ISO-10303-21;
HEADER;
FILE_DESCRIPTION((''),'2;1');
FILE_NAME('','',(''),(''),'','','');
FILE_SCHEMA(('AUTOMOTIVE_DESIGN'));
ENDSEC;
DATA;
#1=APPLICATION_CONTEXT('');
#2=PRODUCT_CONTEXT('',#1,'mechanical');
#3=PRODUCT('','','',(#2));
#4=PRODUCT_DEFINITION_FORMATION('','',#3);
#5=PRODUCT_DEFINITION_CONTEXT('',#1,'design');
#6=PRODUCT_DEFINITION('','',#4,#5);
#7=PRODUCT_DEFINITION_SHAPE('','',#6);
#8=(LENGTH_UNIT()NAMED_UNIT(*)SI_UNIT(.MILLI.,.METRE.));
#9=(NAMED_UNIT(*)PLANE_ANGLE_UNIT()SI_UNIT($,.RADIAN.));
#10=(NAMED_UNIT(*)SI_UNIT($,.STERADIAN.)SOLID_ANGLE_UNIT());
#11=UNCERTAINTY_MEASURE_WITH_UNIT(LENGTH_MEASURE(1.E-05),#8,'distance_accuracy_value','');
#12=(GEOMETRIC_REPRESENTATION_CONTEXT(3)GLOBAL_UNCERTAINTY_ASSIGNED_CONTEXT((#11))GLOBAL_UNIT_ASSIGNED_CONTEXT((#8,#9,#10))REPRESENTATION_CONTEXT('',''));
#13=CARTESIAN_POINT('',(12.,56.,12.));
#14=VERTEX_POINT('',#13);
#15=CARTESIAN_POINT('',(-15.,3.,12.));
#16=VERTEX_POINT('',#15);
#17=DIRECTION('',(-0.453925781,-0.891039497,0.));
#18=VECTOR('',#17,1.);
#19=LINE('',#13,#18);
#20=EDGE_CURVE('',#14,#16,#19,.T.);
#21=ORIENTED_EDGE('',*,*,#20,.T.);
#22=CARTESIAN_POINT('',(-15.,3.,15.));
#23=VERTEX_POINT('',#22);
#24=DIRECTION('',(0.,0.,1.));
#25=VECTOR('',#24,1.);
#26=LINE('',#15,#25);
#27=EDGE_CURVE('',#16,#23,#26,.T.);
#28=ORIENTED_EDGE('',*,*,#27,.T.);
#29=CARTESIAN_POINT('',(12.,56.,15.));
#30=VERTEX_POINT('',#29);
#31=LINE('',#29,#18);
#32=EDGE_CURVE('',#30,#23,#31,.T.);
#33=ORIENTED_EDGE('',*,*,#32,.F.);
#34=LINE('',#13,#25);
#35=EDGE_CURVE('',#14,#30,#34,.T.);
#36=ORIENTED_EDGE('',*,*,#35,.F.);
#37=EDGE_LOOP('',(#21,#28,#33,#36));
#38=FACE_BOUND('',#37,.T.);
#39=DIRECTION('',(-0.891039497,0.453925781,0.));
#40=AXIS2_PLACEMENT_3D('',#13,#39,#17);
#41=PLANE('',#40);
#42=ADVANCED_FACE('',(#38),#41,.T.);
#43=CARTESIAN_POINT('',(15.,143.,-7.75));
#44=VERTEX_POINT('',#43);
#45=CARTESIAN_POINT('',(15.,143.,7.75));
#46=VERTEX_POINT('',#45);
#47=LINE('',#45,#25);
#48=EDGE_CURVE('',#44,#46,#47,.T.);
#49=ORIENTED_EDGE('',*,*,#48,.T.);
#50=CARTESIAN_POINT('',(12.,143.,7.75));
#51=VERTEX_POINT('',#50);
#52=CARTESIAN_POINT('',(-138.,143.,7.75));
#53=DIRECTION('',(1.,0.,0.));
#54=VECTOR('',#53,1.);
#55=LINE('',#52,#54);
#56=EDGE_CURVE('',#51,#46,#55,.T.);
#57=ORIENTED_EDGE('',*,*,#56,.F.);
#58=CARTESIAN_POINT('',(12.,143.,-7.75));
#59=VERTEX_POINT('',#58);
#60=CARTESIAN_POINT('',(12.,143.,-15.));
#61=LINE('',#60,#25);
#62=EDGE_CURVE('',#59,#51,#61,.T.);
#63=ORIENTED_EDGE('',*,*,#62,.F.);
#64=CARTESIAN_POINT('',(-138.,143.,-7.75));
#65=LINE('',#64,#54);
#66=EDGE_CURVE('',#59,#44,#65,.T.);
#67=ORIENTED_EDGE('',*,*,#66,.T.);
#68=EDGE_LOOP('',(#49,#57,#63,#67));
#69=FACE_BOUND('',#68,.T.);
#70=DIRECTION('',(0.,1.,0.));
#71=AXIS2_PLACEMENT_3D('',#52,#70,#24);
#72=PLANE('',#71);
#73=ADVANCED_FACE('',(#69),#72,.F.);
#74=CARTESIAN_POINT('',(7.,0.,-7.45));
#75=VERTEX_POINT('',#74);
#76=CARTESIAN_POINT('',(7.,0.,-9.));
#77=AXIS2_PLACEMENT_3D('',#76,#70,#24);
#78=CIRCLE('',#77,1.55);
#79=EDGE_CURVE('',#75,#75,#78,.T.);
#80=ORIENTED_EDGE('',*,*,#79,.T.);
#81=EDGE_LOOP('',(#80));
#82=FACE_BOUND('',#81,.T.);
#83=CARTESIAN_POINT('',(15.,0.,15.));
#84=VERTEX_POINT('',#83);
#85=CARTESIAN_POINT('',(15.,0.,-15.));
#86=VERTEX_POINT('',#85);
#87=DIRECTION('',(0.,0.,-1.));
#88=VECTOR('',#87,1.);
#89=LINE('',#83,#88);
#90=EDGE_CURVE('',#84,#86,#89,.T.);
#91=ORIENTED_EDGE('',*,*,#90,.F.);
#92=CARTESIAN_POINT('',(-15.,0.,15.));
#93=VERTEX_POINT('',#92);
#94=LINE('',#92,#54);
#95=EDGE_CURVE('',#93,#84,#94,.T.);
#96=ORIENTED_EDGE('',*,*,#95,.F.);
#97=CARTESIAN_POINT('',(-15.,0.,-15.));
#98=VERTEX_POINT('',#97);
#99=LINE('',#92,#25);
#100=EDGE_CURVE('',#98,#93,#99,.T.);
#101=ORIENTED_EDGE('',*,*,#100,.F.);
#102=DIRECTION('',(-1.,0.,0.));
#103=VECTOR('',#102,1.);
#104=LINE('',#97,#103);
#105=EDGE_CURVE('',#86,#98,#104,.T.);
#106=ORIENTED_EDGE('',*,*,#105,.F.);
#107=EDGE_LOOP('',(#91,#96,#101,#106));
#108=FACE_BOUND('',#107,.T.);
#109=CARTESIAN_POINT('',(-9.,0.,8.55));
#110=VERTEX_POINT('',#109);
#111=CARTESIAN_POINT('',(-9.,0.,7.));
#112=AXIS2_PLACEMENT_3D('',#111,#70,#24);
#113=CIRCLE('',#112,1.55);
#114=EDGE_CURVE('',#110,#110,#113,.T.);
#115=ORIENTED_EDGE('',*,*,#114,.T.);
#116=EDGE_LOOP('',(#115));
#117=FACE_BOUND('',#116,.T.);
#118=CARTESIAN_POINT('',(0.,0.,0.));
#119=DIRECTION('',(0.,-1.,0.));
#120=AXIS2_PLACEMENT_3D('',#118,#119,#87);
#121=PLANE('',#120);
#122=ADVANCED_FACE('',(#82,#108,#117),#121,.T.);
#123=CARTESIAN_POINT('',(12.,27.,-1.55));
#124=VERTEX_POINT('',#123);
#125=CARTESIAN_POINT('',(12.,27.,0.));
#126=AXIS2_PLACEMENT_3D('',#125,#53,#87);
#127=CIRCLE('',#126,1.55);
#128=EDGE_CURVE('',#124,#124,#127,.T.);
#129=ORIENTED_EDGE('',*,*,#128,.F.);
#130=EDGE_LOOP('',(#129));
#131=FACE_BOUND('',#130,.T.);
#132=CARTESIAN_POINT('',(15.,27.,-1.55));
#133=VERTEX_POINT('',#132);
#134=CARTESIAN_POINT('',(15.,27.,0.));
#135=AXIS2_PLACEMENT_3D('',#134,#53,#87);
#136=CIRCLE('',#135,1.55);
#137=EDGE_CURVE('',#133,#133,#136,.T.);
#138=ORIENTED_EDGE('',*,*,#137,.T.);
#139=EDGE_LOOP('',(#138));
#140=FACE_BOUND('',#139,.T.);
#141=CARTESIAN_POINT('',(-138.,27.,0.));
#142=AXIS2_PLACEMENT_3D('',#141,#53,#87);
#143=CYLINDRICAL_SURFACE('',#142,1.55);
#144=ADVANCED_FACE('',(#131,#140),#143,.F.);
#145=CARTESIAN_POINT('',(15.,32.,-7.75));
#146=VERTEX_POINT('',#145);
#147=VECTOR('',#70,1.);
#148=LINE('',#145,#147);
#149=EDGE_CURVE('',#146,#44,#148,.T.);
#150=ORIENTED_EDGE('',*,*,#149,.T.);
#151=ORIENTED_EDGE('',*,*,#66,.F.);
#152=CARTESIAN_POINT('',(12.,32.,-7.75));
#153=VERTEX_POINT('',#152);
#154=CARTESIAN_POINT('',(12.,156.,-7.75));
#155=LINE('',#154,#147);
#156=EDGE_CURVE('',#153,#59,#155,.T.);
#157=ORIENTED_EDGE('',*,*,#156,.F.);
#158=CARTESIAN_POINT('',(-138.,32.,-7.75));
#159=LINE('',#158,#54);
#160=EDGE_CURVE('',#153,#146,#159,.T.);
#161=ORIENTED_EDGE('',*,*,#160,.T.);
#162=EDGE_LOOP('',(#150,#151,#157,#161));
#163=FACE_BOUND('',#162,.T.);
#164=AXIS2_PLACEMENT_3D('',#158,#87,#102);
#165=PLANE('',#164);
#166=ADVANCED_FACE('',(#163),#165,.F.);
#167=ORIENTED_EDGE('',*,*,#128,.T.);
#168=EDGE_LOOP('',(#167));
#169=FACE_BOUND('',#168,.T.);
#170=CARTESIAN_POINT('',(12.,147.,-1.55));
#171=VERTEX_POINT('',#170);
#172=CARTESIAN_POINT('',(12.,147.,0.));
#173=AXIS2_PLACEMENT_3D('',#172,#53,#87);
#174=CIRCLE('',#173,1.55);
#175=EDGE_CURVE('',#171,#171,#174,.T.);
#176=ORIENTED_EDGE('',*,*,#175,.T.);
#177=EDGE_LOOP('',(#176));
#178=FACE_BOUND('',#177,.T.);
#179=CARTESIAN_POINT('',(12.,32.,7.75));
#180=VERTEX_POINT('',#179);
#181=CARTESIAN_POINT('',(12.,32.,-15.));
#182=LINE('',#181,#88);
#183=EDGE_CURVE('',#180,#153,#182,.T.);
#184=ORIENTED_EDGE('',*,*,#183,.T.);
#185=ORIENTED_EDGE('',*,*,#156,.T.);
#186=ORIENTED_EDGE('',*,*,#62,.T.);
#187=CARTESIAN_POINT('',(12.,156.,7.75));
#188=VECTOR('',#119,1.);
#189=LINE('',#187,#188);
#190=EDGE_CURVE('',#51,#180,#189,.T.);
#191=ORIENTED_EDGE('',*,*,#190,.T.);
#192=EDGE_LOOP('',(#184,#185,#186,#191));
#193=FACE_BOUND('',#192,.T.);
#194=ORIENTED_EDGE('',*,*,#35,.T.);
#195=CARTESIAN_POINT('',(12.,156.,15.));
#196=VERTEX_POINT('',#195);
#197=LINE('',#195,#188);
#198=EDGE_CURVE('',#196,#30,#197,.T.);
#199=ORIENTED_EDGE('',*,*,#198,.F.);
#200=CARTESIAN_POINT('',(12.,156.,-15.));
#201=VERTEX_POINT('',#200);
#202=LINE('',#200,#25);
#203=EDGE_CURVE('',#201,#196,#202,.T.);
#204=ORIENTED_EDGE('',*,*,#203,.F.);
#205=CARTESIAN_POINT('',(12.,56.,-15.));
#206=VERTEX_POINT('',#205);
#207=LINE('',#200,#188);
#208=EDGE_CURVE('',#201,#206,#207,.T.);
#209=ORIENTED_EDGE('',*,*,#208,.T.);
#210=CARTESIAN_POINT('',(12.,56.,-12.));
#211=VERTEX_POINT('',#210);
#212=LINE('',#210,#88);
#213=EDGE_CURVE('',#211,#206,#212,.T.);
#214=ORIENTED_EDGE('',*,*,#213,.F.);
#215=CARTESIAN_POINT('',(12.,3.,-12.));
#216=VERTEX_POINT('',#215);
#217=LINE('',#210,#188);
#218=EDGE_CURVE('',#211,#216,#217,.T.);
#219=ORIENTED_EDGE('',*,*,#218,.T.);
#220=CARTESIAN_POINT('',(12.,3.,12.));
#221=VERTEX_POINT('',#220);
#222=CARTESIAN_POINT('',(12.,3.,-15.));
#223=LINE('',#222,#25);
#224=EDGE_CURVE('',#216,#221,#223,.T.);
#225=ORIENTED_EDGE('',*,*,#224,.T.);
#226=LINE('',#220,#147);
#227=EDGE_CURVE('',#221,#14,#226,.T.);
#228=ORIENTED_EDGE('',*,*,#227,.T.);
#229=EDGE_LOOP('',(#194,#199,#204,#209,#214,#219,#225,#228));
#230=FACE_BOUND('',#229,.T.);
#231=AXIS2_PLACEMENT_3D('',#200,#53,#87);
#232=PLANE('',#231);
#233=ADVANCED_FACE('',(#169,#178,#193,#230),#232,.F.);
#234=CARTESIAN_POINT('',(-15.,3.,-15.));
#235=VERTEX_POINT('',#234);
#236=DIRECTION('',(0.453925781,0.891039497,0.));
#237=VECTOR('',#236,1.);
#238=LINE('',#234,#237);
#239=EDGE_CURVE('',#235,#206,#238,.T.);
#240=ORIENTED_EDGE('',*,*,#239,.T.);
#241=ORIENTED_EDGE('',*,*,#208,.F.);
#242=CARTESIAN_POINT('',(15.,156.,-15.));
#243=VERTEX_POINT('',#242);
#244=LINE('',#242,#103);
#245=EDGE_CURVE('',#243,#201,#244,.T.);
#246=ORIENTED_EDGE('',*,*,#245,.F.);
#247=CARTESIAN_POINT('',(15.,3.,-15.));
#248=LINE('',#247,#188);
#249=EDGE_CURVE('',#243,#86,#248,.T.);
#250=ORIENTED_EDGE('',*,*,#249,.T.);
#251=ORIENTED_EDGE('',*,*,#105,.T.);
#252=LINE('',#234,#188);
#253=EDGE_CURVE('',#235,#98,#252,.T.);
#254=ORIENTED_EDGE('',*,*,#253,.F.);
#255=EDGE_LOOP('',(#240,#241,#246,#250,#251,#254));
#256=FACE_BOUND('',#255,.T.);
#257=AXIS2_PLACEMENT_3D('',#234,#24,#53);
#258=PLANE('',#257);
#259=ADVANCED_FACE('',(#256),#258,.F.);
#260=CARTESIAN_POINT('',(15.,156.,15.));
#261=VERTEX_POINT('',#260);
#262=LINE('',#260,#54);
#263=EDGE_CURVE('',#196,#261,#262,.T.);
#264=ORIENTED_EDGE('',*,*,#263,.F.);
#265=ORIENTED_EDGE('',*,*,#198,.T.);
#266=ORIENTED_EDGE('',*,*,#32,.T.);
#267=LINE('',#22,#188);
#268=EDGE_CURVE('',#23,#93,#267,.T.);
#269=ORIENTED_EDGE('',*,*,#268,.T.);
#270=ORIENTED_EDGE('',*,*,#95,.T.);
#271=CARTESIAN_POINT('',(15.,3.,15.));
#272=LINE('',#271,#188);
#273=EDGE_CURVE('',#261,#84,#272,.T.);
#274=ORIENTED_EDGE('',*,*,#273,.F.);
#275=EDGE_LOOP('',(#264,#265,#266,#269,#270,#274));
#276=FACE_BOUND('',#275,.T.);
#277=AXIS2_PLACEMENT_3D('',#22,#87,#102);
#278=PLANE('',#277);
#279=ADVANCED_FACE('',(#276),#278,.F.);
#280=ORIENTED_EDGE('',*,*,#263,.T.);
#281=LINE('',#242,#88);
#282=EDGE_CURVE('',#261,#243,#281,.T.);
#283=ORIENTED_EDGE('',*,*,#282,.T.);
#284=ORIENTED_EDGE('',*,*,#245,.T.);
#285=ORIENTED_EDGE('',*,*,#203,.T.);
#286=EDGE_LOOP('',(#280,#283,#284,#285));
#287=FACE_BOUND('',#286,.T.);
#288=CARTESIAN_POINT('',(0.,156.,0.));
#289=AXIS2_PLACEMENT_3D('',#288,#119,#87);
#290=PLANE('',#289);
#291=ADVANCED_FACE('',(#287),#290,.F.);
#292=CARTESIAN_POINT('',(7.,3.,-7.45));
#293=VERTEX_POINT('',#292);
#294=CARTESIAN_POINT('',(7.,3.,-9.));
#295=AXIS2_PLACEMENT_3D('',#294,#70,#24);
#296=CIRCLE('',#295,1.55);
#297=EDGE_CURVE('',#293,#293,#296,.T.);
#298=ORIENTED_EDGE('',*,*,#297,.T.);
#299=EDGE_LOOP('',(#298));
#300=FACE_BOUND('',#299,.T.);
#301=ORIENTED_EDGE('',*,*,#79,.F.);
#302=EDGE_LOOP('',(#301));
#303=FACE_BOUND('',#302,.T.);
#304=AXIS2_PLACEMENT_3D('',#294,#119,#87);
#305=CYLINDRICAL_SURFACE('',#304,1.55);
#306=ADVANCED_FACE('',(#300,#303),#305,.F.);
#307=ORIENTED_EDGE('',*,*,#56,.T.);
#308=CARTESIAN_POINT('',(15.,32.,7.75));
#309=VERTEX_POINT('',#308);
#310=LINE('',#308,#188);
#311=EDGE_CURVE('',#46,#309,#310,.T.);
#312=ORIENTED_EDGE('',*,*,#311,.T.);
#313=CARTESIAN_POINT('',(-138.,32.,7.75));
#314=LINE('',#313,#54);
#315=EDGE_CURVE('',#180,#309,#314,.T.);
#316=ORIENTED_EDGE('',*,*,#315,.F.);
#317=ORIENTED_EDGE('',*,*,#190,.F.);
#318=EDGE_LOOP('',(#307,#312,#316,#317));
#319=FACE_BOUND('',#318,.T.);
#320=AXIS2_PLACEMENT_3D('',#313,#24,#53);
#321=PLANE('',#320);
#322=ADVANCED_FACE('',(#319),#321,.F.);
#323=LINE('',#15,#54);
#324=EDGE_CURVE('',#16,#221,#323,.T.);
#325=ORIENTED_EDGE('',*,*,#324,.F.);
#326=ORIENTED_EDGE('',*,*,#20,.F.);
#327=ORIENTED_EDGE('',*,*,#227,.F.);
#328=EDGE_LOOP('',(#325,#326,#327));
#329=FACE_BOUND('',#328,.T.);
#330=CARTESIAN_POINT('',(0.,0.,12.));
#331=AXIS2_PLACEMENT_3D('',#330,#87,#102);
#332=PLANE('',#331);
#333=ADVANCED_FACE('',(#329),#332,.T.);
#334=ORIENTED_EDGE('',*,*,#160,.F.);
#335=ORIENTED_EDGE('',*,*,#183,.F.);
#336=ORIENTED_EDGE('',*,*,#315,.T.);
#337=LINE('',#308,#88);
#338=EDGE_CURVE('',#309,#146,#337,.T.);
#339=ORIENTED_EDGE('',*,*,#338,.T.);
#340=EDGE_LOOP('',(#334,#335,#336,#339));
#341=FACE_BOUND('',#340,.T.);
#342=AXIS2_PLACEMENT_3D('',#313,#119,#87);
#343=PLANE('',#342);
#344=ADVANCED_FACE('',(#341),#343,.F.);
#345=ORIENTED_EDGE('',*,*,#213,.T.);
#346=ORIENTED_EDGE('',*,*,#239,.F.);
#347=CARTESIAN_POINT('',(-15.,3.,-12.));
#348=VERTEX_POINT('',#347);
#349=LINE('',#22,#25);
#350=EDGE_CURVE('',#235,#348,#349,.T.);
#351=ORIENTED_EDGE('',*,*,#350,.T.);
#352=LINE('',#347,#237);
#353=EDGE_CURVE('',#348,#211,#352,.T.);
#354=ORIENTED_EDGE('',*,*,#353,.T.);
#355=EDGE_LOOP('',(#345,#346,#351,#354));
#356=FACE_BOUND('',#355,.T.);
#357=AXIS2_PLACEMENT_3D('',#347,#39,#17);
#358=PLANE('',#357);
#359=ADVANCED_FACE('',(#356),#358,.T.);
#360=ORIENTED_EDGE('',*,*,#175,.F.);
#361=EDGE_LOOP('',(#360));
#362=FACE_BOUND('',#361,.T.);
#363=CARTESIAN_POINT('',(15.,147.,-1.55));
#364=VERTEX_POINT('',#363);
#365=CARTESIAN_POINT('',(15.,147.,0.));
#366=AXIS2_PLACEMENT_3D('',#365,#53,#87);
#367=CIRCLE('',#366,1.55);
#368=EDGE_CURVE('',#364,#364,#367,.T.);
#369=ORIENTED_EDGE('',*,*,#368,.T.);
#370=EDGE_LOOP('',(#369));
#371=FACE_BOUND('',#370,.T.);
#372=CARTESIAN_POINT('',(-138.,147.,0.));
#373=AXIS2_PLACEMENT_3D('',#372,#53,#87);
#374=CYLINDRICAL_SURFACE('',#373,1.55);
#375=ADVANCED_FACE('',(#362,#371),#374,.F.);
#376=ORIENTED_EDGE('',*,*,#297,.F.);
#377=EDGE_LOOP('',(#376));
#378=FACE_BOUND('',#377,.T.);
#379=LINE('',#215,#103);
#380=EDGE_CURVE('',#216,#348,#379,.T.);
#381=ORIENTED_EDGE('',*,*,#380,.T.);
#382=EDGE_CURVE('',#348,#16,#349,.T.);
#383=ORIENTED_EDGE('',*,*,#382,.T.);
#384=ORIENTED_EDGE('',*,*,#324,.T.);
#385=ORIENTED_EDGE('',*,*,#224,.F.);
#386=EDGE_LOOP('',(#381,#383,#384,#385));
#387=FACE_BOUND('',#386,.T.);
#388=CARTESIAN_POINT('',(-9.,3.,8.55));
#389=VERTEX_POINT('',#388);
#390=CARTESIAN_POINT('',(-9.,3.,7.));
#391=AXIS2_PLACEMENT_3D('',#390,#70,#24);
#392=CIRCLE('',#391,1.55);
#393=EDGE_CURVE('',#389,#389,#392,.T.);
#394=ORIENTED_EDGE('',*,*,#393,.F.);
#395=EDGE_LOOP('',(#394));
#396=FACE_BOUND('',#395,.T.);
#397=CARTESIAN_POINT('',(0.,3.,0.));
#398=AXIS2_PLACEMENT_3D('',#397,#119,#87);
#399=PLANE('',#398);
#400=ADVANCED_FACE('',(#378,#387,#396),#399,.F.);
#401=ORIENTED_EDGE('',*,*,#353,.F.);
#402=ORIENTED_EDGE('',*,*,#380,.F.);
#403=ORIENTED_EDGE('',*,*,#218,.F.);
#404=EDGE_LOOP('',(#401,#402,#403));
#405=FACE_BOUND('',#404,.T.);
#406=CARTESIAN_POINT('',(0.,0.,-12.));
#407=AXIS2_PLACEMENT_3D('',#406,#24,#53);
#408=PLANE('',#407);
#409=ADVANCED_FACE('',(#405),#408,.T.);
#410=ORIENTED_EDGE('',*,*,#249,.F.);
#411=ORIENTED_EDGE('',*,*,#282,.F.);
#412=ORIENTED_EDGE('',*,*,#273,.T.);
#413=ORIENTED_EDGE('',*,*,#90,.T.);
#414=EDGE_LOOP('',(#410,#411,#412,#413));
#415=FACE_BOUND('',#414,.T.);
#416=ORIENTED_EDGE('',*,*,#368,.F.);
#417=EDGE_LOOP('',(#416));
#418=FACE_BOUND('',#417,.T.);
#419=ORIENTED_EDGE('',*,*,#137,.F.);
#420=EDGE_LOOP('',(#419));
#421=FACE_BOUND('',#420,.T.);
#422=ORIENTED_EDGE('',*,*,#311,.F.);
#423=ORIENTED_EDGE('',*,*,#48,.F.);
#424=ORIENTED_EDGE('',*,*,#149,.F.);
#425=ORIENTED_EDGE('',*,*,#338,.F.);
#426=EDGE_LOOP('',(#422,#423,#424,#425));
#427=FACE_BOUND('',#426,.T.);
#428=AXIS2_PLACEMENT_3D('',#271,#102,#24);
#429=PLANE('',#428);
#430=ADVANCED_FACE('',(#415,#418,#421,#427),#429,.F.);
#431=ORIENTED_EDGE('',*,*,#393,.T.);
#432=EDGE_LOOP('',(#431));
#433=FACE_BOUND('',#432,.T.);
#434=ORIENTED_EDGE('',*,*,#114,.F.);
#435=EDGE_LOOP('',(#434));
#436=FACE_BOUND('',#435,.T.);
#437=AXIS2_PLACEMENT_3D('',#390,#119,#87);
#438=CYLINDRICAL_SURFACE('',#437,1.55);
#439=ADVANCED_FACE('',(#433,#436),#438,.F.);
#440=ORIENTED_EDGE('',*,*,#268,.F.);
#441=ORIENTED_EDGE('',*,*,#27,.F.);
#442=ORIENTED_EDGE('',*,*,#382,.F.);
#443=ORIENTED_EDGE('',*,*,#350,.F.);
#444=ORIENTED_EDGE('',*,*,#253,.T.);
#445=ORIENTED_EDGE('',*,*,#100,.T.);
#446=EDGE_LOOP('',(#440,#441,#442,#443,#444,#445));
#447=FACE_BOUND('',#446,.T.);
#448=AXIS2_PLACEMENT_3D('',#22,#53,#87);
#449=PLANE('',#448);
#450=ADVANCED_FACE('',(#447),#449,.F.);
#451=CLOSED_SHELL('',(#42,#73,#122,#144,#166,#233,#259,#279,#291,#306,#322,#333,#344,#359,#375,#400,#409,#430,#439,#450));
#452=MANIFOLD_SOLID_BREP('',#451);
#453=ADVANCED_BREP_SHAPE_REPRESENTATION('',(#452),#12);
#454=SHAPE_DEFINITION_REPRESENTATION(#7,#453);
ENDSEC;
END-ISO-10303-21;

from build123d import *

# Parameters (mm, degrees)
ESBO_O1_W                = 30
ESBO_O1_H                = 30
ESBO_O1_R                = 1.55
RESSALTO_EXTRUS_O1_DEPTH = 3
ESBO_O2_W                = 3
ESBO_O2_H                = 30
RESSALTO_EXTRUS_O2_DEPTH = 153
ESBO_O3_R                = 1.55
ESBO_O3_W                = 15.5
ESBO_O3_H                = 111
CORTE_EXTRUS_O1_DEPTH    = 153
RESSALTO_EXTRUS_O3_DEPTH = 3
RESSALTO_EXTRUS_O4_DEPTH = 3


with BuildPart() as part:
    # Esboço1 → Ressalto-extrusão1 (new body)
    with BuildSketch(Plane(origin=(0, 0, 0), x_dir=(1, 0, 0), z_dir=(0, 1, 0))):
        Rectangle(ESBO_O1_W, ESBO_O1_H)
        with Locations(Location((-9, -7, 0), (0, 0, 270))):
            Circle(ESBO_O1_R, mode=Mode.SUBTRACT)
        with Locations(Location((7, 9, 0), (0, 0, 270))):
            Circle(ESBO_O1_R, mode=Mode.SUBTRACT)
    extrude(amount=RESSALTO_EXTRUS_O1_DEPTH)

    # Esboço2 → Ressalto-extrusão2 (add)
    with BuildSketch(Plane(origin=(0, 3, 0), x_dir=(1, 0, 0), z_dir=(0, 1, 0))):
        with Locations((13.5, 0)):
            Rectangle(ESBO_O2_W, ESBO_O2_H)
    extrude(amount=RESSALTO_EXTRUS_O2_DEPTH)

    # Esboço3 → Corte-extrusão1 (cut)
    with BuildSketch(Plane(origin=(15, 0, 0), x_dir=(0, 0, -1), z_dir=(1, 0, 0))):
        with Locations((0, 147)):
            Circle(ESBO_O3_R)
        with Locations((0, 27)):
            Circle(ESBO_O3_R)
        with Locations((0, 87.5)):
            Rectangle(ESBO_O3_W, ESBO_O3_H)
    extrude(amount=-CORTE_EXTRUS_O1_DEPTH, mode=Mode.SUBTRACT)

    # Esboço4 → Ressalto-extrusão3 (add)
    with BuildSketch(Plane.XY.offset(15)):
        Polygon((12, 56), (-15, 3), (12, 3), align=None)
    extrude(amount=-RESSALTO_EXTRUS_O3_DEPTH)

    # Esboço5 → Ressalto-extrusão4 (add)
    with BuildSketch(Plane(origin=(0, 0, -15), x_dir=(-1, 0, 0), z_dir=(0, 0, -1))):
        Polygon((15, 3), (-12, 56), (-12, 3), align=None)
    extrude(amount=-RESSALTO_EXTRUS_O4_DEPTH)


solid = part.part
